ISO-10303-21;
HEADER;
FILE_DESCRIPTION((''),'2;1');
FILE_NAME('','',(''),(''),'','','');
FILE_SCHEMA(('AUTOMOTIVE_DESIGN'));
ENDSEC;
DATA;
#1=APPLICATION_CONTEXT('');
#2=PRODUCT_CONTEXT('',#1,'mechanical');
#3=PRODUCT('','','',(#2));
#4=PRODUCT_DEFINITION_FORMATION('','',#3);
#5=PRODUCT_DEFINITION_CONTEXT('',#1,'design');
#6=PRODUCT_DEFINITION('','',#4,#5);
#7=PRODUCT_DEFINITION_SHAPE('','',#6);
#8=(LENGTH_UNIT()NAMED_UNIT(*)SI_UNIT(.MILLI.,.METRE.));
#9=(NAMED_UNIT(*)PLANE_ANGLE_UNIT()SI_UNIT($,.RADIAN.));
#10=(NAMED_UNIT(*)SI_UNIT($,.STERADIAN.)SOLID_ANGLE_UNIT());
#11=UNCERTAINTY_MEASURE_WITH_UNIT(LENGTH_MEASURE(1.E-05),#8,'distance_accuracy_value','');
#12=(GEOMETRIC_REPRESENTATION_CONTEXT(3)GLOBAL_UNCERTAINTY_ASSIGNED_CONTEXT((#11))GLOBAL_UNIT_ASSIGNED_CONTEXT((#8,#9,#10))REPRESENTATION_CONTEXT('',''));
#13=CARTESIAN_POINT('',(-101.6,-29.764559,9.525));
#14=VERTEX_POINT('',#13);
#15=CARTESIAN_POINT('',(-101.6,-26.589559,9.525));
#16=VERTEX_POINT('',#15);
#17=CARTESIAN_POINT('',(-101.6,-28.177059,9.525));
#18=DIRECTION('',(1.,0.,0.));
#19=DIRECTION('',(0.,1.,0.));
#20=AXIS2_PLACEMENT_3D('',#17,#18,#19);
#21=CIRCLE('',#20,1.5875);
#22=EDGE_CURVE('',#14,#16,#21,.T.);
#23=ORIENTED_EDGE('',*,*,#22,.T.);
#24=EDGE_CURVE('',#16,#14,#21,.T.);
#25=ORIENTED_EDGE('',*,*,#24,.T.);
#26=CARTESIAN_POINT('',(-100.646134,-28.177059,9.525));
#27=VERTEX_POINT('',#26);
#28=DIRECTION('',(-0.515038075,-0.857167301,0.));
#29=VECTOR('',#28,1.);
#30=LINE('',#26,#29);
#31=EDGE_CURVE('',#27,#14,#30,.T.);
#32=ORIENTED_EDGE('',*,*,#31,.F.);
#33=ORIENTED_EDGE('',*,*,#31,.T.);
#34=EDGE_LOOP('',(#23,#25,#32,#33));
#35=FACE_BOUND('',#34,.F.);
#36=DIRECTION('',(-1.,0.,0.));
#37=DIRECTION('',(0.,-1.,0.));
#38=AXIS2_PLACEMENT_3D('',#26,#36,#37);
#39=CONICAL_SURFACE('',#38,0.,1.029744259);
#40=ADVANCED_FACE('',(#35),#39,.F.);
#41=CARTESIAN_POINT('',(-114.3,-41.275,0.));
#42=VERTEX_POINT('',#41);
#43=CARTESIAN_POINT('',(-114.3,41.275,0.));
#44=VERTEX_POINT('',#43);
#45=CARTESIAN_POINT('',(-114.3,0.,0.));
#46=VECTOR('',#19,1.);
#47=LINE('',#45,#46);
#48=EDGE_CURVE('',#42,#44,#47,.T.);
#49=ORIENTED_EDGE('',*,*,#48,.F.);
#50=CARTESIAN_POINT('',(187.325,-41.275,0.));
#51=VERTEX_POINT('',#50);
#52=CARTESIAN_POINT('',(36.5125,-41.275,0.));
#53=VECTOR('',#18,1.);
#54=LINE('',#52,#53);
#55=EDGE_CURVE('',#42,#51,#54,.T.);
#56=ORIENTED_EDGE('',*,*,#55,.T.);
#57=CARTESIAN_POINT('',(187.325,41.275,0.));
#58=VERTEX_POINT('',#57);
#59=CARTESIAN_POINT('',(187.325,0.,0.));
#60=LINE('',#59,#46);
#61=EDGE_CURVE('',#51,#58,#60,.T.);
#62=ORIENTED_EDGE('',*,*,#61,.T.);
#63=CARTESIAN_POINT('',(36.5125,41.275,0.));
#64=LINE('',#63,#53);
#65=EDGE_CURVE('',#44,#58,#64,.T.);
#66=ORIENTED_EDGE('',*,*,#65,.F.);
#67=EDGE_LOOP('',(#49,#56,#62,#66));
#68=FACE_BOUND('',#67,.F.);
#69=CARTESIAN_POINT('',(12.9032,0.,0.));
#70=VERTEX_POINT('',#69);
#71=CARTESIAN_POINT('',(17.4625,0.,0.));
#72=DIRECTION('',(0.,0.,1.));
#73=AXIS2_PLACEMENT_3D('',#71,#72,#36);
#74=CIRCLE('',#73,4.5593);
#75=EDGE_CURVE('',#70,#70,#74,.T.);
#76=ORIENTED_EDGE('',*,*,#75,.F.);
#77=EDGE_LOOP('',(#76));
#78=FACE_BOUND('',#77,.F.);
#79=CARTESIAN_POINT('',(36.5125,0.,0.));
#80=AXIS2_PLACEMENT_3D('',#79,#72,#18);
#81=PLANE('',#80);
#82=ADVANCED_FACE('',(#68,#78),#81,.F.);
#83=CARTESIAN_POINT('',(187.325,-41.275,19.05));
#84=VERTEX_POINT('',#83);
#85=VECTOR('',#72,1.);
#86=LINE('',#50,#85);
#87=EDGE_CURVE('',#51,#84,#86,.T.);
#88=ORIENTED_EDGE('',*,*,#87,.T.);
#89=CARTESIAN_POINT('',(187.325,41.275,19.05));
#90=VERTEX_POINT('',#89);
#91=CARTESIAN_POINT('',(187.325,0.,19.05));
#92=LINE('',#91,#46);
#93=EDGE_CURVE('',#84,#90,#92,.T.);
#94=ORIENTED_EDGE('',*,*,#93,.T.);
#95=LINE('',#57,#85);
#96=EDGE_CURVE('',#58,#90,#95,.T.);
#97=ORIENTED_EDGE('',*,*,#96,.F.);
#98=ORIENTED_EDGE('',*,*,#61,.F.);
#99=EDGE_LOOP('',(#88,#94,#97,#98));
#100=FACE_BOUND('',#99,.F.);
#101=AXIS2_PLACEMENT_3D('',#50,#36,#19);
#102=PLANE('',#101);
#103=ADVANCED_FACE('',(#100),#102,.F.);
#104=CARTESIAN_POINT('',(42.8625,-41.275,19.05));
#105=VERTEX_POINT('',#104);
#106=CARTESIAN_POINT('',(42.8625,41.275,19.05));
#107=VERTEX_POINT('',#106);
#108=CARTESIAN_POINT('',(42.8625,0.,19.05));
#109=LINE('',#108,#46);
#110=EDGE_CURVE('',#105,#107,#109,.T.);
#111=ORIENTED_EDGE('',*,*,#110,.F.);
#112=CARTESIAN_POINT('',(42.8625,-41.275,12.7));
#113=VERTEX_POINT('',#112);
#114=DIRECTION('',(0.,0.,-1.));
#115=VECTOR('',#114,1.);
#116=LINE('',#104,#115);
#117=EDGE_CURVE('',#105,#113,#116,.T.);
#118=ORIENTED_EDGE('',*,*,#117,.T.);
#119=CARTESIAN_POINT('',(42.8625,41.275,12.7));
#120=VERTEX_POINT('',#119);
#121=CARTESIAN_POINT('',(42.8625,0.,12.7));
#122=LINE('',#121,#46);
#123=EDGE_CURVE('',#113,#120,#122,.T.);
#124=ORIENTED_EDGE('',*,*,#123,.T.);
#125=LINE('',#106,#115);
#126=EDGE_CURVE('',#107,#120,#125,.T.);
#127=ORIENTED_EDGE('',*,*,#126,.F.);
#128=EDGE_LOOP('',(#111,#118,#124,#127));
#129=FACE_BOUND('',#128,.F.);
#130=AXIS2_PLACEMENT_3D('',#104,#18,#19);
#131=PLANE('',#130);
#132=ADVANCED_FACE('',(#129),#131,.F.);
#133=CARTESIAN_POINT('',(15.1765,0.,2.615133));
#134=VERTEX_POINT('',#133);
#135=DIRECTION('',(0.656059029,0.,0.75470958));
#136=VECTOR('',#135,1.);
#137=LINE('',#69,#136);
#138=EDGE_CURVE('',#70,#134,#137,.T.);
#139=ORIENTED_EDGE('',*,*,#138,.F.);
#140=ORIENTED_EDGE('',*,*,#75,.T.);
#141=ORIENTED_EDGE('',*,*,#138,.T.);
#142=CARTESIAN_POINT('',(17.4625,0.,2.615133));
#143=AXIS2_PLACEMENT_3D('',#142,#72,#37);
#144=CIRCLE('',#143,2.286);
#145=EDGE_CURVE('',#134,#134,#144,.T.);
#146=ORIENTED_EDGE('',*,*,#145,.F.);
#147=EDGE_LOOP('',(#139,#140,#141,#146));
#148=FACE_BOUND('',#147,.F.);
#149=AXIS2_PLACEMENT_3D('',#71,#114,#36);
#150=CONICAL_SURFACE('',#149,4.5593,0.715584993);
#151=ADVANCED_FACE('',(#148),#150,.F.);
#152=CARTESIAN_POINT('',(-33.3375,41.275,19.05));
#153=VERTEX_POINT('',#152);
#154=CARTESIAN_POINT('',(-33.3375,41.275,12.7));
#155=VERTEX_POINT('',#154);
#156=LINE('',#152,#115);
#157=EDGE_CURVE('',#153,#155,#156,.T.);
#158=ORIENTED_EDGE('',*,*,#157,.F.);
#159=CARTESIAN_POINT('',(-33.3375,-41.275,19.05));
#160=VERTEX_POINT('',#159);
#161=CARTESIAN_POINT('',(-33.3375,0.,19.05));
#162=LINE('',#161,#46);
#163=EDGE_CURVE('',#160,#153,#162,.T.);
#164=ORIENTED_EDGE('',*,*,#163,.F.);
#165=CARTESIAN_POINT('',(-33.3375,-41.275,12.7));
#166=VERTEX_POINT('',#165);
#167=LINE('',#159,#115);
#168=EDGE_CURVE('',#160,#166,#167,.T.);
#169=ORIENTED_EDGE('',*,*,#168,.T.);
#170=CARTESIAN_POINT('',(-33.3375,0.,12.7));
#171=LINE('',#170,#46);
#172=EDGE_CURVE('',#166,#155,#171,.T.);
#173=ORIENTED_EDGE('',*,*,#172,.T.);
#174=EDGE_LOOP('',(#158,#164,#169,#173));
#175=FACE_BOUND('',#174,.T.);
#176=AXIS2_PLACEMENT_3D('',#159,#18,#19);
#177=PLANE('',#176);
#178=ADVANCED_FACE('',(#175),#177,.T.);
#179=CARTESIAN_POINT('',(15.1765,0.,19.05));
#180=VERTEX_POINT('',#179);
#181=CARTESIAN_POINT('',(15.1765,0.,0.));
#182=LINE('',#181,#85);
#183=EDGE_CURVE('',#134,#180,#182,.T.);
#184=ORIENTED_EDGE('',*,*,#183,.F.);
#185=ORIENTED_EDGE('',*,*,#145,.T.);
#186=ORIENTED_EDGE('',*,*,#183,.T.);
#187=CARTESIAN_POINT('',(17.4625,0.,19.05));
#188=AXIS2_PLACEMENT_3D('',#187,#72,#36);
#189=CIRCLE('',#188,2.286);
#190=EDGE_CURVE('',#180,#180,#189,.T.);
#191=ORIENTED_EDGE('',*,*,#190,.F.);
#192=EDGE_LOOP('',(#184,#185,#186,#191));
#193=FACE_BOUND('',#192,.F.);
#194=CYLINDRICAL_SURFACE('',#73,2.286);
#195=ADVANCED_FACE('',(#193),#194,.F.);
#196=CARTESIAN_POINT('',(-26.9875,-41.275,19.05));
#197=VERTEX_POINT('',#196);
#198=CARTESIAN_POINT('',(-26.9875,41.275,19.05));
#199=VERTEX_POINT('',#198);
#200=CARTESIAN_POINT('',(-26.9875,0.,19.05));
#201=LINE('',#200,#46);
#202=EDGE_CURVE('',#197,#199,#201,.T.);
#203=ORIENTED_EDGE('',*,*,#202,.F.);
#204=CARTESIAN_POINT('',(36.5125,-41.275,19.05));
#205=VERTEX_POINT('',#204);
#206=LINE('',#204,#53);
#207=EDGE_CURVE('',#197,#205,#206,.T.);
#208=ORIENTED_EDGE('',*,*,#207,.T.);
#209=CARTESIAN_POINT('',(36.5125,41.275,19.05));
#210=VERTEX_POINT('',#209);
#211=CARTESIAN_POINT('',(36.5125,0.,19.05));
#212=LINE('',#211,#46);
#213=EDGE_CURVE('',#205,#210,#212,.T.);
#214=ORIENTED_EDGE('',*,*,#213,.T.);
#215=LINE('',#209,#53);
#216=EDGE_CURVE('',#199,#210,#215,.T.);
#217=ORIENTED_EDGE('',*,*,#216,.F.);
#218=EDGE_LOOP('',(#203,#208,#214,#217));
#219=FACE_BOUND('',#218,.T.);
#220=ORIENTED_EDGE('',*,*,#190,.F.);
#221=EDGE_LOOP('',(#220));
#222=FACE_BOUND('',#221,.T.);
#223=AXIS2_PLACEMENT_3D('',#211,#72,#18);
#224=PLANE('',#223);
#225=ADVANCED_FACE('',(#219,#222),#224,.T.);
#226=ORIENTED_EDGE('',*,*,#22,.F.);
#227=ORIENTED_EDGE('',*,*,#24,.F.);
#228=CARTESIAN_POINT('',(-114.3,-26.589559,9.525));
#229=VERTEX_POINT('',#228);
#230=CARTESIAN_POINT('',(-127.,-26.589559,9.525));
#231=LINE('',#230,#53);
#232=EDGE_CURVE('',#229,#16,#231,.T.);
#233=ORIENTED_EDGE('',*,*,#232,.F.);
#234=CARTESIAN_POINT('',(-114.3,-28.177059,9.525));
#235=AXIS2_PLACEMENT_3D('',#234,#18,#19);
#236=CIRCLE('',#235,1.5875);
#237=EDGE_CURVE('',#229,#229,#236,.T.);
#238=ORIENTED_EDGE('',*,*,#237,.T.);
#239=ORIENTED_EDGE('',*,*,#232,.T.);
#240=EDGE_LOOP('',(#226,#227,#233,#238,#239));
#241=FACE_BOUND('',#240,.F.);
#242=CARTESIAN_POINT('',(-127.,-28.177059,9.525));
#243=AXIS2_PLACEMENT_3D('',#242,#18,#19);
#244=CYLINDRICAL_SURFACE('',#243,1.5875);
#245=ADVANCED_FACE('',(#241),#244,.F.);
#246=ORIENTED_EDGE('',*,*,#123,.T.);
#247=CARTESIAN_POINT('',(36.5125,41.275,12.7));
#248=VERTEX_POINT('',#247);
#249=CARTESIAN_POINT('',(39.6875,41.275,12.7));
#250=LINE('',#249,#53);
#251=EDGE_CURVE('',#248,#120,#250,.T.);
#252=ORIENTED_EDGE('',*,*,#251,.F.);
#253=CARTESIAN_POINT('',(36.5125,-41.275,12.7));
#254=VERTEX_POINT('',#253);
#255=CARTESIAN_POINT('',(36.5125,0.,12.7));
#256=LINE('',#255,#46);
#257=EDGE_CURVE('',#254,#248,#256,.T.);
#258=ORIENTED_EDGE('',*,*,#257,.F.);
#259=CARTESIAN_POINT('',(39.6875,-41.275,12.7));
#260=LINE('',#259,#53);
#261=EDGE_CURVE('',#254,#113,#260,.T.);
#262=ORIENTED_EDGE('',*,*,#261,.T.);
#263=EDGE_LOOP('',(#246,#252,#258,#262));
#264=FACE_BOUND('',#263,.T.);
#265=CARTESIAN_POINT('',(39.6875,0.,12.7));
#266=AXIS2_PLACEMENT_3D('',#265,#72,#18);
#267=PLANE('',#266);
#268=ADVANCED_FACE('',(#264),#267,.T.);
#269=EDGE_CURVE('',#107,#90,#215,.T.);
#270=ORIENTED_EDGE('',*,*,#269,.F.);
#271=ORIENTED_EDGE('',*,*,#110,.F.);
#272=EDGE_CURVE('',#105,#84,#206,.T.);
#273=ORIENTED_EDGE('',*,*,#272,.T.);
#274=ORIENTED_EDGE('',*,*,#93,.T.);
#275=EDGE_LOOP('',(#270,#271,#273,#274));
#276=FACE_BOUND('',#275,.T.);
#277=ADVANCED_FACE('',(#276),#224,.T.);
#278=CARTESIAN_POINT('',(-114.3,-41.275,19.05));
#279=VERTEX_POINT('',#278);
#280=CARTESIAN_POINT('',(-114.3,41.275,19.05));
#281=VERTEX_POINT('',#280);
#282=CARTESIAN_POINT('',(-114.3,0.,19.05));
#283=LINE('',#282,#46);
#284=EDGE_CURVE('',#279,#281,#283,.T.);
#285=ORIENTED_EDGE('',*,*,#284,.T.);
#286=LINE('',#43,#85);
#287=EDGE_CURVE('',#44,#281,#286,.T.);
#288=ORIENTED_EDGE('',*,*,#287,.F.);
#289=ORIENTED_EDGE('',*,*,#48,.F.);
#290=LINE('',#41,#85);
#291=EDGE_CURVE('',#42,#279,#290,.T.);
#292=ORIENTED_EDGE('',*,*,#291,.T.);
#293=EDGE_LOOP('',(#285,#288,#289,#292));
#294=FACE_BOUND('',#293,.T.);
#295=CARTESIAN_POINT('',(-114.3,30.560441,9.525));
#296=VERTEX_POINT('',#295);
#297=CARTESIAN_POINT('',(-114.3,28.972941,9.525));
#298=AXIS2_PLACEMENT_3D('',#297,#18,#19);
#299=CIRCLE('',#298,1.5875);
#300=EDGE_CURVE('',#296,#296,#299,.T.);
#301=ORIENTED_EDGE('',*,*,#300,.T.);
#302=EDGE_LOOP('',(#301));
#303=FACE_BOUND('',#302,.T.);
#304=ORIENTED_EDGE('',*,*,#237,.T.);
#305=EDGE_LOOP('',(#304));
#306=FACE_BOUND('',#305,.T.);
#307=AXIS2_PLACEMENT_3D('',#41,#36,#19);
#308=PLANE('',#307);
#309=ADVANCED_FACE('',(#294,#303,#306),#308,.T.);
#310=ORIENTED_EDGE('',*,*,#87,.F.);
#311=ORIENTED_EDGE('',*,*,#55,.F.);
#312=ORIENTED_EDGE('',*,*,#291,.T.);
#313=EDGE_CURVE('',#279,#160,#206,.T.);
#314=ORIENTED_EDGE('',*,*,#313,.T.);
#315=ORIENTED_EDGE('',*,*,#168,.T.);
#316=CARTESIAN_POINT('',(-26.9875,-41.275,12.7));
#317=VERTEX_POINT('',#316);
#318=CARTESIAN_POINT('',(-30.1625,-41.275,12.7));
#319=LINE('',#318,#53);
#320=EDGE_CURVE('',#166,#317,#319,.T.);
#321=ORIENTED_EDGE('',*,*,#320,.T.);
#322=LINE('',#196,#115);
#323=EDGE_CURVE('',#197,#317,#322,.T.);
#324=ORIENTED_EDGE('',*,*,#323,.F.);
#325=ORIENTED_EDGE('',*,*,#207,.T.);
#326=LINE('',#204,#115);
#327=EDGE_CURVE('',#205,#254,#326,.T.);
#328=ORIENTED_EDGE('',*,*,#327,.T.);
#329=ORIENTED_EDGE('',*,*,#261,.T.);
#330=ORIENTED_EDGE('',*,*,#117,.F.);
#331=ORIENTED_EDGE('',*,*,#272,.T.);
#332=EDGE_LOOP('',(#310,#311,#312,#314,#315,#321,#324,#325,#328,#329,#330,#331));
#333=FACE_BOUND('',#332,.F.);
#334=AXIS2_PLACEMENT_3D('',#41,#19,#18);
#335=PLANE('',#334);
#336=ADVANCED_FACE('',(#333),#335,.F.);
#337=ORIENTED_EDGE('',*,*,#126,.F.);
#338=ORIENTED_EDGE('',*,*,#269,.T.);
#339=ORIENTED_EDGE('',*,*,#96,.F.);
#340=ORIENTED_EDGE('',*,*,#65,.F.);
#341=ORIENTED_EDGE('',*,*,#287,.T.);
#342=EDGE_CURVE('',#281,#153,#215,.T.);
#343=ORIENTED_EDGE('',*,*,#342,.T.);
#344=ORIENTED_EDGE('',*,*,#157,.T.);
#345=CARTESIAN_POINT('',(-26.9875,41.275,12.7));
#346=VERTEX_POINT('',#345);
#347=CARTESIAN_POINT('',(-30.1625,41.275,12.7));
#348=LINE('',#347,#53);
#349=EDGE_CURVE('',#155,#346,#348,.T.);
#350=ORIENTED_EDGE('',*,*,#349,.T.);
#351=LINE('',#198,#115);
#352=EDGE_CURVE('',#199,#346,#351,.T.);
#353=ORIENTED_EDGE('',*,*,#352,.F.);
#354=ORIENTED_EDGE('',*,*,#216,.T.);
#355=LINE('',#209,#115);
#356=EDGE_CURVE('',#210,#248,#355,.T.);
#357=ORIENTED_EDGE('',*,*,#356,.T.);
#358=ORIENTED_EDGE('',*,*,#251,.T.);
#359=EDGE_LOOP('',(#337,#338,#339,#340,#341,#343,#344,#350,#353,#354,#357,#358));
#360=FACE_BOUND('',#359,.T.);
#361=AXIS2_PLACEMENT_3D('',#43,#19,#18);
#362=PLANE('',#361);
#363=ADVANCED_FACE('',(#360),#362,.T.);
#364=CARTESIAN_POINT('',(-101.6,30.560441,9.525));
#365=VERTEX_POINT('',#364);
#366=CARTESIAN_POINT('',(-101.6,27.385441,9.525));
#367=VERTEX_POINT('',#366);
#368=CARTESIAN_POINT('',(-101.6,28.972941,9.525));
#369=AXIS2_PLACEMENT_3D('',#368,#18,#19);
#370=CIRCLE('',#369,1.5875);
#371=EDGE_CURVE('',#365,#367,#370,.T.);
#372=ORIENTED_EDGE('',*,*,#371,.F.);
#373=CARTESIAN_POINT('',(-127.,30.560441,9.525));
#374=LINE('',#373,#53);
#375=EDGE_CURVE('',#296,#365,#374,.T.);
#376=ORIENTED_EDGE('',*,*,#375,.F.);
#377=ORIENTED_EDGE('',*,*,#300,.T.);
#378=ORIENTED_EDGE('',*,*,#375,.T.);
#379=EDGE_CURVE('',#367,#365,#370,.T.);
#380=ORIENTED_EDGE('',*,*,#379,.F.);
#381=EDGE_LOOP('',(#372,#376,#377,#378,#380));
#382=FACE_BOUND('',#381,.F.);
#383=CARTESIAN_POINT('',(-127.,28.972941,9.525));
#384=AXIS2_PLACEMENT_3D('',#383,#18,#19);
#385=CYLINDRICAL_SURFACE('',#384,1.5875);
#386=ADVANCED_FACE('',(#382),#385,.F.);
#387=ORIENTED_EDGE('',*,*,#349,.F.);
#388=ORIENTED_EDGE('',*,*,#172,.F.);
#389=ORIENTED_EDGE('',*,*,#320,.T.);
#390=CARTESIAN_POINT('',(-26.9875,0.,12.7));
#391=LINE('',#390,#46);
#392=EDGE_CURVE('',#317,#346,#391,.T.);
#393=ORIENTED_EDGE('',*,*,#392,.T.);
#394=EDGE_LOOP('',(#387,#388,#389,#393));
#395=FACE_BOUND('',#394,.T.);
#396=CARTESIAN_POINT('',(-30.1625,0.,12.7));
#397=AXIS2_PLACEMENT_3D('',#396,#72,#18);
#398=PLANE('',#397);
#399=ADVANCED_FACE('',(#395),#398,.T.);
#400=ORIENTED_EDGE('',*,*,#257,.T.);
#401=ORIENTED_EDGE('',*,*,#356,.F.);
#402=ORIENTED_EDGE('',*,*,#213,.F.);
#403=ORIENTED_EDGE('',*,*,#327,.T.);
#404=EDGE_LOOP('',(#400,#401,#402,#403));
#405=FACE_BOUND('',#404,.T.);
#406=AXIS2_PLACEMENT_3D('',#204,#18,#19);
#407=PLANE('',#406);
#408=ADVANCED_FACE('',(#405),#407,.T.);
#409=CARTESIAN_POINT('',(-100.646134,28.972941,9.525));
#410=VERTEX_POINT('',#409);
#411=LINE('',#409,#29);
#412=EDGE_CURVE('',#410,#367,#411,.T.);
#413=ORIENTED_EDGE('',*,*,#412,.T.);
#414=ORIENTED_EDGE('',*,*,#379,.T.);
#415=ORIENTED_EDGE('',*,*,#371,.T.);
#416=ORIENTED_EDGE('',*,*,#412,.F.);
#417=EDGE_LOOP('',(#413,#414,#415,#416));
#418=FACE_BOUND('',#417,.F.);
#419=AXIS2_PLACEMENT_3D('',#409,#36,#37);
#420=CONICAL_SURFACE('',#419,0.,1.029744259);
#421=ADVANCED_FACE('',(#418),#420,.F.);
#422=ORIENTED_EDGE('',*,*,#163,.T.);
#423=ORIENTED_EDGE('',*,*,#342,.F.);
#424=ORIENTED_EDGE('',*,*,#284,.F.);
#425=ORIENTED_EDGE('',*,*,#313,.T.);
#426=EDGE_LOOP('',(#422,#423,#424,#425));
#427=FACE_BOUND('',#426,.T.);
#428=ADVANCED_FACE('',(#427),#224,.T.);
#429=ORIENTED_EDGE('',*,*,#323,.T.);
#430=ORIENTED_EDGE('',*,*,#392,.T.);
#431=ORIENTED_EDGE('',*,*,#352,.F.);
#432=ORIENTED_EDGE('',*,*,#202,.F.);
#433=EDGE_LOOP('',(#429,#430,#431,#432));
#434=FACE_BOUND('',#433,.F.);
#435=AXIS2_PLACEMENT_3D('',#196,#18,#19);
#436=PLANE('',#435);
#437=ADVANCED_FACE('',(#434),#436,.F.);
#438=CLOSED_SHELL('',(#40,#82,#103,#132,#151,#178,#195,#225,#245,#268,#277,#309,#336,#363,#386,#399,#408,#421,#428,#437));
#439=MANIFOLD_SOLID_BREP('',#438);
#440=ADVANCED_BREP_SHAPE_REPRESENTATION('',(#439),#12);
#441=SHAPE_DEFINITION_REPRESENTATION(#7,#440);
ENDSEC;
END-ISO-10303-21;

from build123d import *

# Parameters (mm, degrees)
F0_W           = 301.625
F0_H           = 82.55
F1_DEPTH       = 19.05
F2_W           = 6.35
F2_H           = 82.55
F3_DEPTH       = 6.35
F5_D           = 4.572
F5_CSINK_D     = 9.1186
F5_CSINK_ANGLE = 82
F7_D           = 3.175
F7_DEPTH       = 12.7
F7_TIP         = 0.9538662327


with BuildPart() as f1:
    # F0 (on Top) → F1 (new body)
    with BuildSketch(Plane.XY):
        with Locations((36.5125, 0)):
            Rectangle(F0_W, F0_H)
    extrude(amount=F1_DEPTH)

    # F2 (on face) → F3 (cut)
    with BuildSketch(Plane.XY.offset(19.05)):
        with Locations((-30.1625, 0)):
            Rectangle(F2_W, F2_H)
        with Locations((39.6875, 0)):
            Rectangle(F2_W, F2_H)
    extrude(amount=-F3_DEPTH, mode=Mode.SUBTRACT)

    # F5 (through all)
    with Locations(Plane(origin=(0, 0, 0), x_dir=(1, 0, 0), z_dir=(0, 0, -1))):
        with Locations((17.4625, 0)):
            CounterSinkHole(F5_D / 2, F5_CSINK_D / 2, counter_sink_angle=F5_CSINK_ANGLE)

    # F7
    with Locations(Plane(origin=(-114.3, 0, 0), x_dir=(0, -1, 0), z_dir=(-1, 0, 0))):
        with Locations((-28.9729410976, 9.525), (28.1770589024, 9.525)):
            Hole(F7_D / 2, depth=F7_DEPTH)
            with Locations((0, 0, -(F7_DEPTH + F7_TIP / 2))):  # 118° drill point
                Cone(0, F7_D / 2, F7_TIP, mode=Mode.SUBTRACT)


solid = f1.part
